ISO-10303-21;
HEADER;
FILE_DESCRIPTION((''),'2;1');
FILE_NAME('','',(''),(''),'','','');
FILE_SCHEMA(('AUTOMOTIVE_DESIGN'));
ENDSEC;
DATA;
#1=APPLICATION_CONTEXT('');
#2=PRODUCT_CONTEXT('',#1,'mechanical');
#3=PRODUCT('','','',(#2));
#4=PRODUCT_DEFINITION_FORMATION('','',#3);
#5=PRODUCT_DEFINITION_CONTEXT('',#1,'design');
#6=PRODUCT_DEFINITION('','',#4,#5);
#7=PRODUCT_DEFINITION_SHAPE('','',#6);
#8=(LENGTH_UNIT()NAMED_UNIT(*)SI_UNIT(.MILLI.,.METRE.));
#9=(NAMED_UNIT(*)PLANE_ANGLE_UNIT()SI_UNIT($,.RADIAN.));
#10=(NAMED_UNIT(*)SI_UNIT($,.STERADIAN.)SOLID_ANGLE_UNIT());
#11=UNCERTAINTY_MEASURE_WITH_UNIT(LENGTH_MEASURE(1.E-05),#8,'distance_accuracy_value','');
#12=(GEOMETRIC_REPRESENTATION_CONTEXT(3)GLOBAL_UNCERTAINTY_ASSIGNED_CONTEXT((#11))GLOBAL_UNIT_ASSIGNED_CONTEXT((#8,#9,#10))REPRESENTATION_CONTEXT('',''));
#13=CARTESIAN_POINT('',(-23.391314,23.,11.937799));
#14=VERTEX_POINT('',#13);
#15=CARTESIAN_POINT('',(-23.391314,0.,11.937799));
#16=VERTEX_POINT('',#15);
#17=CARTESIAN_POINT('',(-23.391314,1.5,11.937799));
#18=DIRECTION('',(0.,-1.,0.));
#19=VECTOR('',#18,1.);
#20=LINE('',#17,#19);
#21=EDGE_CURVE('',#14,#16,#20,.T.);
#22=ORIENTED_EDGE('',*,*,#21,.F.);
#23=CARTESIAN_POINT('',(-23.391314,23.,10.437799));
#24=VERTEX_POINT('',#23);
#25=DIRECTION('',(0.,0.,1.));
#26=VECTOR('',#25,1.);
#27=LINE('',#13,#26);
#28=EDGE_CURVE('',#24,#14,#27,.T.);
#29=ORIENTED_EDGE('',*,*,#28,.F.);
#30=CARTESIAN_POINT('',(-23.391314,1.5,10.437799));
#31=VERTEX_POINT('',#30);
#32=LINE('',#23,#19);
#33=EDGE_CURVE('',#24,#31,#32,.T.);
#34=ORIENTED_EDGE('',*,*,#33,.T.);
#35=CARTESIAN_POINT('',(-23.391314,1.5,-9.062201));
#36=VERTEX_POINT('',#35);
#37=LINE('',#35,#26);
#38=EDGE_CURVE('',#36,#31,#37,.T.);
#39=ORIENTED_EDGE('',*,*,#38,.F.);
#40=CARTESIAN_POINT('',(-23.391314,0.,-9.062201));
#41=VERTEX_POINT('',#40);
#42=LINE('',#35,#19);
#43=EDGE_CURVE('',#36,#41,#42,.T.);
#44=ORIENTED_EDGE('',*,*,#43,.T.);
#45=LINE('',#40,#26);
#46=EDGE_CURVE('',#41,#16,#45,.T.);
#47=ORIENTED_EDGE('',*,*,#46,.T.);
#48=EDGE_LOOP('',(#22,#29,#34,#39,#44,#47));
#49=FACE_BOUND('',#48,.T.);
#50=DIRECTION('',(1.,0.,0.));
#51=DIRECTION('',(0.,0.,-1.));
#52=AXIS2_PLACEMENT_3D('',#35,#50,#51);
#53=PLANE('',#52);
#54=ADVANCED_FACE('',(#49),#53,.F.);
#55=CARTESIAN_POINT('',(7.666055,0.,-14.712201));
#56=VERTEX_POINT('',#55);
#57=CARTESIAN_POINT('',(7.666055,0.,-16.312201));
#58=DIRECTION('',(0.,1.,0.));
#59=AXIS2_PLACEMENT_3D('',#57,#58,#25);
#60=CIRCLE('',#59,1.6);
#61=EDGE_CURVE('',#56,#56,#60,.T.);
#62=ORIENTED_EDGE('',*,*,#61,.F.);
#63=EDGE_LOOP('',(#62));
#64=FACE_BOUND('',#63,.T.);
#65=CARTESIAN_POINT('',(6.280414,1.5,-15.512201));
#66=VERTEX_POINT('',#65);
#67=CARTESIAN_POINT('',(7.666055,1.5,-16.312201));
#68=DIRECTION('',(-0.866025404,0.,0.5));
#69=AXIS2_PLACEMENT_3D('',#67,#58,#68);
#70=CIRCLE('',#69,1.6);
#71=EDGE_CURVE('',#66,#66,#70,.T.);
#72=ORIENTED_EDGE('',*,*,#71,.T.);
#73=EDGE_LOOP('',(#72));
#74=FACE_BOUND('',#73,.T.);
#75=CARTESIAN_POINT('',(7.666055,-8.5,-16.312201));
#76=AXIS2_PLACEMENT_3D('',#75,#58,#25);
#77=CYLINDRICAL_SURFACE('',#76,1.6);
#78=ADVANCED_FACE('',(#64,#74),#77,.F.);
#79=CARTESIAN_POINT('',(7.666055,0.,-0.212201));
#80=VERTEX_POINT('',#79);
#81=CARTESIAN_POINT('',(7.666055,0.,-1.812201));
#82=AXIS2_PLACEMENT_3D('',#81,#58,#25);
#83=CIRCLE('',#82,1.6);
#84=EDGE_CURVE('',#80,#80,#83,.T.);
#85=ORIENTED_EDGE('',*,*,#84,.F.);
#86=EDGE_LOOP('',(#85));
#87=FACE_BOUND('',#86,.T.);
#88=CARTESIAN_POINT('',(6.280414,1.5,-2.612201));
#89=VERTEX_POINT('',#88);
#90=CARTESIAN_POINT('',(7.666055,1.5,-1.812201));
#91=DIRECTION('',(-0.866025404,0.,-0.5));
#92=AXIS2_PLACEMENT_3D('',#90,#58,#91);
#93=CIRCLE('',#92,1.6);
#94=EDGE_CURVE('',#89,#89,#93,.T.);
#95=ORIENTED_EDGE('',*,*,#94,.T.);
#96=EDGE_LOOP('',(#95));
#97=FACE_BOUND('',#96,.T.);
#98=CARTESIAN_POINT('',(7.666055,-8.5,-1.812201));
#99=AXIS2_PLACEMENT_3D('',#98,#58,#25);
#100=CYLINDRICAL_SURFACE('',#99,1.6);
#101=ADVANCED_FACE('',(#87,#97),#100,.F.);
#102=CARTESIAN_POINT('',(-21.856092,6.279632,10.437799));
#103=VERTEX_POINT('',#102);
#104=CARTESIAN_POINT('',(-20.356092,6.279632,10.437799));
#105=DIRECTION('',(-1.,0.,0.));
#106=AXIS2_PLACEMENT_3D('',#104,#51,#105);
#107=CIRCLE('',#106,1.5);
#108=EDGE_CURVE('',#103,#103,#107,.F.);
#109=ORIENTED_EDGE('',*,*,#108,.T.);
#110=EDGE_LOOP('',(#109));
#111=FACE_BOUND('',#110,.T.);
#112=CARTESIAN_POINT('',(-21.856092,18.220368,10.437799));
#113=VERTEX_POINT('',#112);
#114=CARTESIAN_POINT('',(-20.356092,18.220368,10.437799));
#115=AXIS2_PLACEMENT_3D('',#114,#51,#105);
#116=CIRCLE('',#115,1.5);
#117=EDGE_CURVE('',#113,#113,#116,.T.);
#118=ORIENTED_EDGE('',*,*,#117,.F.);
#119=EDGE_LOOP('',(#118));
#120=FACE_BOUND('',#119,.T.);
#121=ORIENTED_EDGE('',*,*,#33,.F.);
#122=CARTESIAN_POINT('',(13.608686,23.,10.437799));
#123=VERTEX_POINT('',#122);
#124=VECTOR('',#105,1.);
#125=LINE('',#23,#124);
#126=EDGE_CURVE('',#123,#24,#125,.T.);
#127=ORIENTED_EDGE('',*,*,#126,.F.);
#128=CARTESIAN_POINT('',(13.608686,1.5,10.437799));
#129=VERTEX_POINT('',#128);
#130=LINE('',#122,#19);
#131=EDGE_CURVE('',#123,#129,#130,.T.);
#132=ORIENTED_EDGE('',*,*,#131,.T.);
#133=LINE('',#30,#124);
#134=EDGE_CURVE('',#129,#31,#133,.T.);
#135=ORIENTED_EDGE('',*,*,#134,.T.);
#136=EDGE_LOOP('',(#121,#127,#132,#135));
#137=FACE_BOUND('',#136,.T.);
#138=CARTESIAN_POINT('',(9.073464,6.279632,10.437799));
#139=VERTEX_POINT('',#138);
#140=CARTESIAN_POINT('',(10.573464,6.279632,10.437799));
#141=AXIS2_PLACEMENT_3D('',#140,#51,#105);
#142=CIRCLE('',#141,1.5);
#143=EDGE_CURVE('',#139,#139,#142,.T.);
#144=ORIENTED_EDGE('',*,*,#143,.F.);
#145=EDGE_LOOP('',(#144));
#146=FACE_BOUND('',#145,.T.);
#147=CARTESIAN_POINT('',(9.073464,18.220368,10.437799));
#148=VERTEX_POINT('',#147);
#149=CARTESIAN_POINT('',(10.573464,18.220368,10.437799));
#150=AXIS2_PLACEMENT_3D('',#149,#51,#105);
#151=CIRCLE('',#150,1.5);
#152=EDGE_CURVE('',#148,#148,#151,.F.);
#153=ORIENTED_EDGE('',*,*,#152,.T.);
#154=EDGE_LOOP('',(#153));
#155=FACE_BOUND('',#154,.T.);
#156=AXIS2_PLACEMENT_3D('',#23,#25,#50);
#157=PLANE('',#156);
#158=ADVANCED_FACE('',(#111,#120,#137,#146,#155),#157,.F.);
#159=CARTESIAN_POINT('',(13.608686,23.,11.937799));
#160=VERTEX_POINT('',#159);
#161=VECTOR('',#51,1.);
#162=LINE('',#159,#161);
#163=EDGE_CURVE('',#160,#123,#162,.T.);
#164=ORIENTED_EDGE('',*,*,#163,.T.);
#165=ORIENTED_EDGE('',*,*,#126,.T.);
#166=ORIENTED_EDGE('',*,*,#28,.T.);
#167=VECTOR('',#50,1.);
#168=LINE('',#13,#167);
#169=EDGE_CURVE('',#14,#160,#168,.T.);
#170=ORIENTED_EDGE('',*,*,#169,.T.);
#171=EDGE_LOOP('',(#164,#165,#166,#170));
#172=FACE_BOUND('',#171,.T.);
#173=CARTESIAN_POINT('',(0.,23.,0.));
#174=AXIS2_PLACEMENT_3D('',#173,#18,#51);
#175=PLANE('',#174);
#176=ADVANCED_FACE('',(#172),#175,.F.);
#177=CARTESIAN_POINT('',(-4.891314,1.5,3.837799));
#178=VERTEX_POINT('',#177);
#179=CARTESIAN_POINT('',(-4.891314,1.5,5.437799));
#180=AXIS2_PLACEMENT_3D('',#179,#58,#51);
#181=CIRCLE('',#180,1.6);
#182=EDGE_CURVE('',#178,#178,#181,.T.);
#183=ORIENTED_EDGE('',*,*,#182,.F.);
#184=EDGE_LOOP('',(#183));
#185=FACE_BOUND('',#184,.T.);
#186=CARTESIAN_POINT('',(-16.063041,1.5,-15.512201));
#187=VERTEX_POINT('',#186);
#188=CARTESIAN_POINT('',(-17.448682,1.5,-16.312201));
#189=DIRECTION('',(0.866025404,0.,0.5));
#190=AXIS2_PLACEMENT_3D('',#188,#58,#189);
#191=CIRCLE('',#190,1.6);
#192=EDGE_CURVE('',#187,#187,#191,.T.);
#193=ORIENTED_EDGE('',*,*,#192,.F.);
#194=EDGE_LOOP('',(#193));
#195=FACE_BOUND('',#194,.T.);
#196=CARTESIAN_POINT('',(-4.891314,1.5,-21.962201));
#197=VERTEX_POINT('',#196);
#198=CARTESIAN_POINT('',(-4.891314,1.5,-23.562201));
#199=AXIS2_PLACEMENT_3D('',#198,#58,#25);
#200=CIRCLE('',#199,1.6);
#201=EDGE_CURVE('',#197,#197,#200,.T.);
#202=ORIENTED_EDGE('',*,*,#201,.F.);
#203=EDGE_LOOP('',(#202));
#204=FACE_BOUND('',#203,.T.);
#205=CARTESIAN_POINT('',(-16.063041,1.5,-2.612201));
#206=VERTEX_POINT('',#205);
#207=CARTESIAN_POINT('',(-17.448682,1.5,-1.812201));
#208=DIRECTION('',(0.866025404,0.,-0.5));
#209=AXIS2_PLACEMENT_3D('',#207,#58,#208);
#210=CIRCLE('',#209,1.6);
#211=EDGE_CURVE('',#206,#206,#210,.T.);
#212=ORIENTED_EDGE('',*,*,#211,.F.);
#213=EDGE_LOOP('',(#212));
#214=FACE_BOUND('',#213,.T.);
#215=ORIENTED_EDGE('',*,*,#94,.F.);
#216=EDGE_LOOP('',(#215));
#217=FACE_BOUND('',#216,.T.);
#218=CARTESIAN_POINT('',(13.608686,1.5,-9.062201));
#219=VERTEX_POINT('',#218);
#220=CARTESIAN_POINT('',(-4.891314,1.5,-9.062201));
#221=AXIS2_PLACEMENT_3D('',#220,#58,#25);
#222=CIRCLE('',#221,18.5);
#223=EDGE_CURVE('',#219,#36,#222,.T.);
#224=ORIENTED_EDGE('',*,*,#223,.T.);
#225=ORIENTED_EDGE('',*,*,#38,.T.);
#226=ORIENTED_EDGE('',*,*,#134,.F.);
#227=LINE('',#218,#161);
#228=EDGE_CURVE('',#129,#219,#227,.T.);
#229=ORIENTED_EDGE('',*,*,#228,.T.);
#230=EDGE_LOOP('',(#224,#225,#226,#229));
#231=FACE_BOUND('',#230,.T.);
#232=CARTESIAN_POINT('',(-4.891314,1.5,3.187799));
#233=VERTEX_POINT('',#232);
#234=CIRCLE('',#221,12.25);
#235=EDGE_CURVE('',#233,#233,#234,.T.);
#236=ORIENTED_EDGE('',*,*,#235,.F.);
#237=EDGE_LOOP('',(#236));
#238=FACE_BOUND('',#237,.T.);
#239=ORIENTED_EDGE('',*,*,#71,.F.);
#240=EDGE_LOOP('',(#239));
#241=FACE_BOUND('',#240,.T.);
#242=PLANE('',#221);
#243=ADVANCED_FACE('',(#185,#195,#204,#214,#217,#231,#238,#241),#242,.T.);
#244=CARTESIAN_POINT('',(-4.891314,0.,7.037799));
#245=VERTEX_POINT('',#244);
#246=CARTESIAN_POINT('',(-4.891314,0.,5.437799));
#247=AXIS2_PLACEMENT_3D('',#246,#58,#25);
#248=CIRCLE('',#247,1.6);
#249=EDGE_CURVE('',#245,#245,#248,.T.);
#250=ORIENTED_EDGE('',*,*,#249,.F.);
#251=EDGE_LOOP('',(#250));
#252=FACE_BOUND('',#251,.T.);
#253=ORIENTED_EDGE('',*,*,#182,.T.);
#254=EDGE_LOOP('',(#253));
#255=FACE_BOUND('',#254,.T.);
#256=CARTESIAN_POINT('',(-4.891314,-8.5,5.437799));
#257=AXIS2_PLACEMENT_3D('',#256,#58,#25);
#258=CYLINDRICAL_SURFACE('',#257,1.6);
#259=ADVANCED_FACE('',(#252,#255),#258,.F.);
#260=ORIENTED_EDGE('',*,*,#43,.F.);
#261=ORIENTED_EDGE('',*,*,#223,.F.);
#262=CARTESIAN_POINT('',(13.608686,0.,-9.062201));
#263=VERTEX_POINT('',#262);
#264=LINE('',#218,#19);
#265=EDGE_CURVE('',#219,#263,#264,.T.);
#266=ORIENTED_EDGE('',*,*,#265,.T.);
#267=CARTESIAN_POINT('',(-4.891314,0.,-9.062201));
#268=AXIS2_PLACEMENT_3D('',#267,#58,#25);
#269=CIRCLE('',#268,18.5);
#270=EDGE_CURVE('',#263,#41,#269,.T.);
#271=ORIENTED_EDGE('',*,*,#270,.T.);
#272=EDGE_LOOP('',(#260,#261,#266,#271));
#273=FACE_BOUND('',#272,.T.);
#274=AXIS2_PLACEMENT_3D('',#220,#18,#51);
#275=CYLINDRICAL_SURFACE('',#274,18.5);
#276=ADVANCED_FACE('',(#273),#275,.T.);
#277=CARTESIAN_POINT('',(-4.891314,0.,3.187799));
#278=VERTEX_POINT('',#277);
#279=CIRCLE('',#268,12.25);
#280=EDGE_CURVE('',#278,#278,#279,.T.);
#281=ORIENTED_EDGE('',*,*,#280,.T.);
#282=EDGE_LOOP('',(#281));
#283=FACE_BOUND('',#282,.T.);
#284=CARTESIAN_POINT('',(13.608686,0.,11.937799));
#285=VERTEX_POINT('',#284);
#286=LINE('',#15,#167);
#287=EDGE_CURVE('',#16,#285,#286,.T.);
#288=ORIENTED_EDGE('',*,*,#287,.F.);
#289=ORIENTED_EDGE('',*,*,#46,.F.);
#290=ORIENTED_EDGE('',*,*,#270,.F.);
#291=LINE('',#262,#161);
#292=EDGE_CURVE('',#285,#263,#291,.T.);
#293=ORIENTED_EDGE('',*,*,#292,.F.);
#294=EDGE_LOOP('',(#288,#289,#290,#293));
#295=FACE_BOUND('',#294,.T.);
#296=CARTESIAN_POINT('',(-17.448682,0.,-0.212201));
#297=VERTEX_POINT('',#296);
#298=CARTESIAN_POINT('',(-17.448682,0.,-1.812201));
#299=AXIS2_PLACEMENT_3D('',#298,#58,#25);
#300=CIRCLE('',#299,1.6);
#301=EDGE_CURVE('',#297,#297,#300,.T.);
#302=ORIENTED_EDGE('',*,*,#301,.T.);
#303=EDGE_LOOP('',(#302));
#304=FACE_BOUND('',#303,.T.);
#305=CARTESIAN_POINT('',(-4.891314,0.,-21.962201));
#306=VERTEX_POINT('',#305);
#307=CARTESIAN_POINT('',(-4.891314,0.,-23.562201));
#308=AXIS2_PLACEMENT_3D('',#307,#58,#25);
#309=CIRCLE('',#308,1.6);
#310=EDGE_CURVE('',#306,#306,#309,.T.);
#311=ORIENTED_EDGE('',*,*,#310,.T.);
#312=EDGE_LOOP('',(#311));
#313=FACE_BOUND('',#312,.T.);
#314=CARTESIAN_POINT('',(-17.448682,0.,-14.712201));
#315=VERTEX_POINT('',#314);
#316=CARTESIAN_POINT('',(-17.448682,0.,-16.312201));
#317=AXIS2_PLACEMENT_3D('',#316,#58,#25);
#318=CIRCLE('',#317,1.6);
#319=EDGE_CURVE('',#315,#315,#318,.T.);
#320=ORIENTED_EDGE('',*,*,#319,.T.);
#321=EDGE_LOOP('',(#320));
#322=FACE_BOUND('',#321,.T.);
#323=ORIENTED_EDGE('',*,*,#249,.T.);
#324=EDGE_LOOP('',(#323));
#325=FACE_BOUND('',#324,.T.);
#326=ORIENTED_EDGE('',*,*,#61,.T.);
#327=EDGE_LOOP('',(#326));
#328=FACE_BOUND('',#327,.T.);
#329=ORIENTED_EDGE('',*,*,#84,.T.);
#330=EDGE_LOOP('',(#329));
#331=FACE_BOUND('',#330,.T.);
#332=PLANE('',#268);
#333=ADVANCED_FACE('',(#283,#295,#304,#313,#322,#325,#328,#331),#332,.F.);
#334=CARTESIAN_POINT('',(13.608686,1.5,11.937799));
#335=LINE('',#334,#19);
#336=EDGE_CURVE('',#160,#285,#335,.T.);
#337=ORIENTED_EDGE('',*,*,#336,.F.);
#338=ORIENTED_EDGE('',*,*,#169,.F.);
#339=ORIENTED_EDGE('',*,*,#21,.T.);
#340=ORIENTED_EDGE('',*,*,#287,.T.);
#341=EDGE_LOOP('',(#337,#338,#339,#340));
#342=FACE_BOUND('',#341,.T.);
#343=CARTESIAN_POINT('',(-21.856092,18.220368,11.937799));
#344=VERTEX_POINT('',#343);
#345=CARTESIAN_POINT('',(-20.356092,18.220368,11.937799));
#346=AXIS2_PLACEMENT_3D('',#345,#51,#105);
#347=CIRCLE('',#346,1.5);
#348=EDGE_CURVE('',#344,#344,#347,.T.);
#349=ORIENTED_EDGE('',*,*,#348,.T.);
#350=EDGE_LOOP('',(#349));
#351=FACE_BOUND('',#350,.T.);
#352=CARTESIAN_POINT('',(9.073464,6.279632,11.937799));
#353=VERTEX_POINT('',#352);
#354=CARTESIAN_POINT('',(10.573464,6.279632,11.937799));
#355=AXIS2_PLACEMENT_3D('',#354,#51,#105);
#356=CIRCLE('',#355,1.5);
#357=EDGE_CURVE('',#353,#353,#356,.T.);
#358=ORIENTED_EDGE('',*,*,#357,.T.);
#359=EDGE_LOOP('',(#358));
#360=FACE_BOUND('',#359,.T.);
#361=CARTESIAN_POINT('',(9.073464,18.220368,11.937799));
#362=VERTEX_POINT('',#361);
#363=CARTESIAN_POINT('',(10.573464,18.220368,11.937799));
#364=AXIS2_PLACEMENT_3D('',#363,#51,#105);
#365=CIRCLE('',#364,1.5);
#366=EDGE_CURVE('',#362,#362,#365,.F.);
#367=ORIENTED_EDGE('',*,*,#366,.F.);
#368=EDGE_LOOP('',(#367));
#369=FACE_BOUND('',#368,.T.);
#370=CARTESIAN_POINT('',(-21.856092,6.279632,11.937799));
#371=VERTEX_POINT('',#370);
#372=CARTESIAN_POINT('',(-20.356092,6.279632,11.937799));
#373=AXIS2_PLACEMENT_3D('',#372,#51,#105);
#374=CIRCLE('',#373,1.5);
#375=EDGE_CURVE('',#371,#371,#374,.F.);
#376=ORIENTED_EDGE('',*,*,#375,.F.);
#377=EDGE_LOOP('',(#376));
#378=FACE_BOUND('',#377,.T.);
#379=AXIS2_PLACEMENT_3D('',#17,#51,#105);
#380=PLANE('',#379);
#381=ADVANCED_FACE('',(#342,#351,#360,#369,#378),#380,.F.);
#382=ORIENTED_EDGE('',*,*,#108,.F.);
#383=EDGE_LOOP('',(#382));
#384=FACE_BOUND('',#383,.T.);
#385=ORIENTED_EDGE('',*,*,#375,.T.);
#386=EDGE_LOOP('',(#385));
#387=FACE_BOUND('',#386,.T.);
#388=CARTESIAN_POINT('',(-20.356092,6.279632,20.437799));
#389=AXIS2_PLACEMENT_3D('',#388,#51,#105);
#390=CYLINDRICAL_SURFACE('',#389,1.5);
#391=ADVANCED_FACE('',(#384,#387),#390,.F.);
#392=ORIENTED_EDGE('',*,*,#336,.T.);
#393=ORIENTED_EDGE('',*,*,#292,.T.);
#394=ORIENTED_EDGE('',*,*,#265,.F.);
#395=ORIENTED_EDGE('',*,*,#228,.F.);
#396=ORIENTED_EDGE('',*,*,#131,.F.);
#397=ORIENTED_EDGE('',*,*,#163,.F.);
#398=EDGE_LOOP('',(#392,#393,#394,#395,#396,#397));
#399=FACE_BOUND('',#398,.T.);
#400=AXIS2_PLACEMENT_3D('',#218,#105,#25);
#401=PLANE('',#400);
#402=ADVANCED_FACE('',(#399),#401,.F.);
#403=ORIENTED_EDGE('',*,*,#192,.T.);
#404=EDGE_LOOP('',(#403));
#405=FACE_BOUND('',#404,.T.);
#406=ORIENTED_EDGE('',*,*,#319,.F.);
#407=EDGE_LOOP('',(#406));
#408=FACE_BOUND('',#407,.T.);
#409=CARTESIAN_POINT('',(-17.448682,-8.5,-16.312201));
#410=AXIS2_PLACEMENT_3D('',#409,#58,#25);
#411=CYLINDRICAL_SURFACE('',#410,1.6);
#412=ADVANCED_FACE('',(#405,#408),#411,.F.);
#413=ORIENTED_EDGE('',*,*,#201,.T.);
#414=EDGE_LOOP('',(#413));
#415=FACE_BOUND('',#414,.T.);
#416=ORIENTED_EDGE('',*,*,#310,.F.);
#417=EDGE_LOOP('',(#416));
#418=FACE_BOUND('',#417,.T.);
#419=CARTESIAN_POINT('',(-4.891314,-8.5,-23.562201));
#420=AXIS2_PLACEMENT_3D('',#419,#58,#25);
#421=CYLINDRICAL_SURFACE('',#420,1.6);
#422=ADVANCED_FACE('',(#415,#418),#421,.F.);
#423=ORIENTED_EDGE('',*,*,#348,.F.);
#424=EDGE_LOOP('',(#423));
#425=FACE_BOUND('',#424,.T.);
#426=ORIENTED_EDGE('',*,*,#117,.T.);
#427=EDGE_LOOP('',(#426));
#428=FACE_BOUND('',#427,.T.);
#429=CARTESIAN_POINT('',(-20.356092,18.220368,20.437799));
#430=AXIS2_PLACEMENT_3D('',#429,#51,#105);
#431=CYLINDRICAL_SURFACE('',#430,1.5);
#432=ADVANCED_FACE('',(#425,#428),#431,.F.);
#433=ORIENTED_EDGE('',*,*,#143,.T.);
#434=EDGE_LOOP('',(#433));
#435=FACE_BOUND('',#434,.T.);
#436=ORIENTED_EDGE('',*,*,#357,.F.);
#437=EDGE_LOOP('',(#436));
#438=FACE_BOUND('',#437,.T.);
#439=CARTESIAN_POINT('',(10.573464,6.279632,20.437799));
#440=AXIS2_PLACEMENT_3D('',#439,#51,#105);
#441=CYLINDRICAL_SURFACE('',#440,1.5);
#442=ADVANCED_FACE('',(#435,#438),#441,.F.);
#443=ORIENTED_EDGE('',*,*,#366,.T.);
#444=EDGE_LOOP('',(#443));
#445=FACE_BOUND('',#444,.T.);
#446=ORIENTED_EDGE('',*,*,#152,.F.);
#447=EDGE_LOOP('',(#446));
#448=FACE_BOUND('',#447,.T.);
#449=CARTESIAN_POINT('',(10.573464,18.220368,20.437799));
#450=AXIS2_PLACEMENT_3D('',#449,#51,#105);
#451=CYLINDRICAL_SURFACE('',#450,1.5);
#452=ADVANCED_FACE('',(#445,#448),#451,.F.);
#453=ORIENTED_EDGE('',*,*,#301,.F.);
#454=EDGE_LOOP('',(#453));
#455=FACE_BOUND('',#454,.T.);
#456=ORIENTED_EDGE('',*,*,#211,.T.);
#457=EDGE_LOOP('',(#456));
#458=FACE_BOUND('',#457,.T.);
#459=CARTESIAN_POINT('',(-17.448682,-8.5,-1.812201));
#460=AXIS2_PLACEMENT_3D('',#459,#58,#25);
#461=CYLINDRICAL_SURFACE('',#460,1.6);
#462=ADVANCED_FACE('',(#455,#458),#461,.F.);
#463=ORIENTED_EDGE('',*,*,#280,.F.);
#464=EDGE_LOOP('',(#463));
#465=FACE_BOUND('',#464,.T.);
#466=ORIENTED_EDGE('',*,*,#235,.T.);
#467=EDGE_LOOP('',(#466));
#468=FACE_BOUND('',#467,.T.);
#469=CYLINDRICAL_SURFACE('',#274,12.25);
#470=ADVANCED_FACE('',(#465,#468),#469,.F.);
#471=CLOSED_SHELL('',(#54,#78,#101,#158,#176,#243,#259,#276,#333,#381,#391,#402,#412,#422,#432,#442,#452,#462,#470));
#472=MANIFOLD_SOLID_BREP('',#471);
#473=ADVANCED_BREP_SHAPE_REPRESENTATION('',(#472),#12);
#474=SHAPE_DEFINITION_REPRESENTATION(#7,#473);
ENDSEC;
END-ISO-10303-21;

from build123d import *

# Parameters (mm, degrees)
SKETCH1_R           = 12.25
BOSS_EXTRUDE1_DEPTH = 1.5
SKETCH4_W           = 37
SKETCH4_H           = 1.5
BOSS_EXTRUDE2_DEPTH = 21.5
SKETCH6_R           = 1.5
CUT_EXTRUDE2_DEPTH  = 10
SKETCH3_R           = 1.6
CUT_EXTRUDE3_DEPTH  = 10
CIRPATTERN1_COUNT   = 6


with BuildPart() as part:
    # Sketch1 → Boss-Extrude1 (new body)
    with BuildSketch(Plane(origin=(0, 0, 0), x_dir=(1, 0, 0), z_dir=(0, 1, 0))):
        with BuildLine():
            Line((-23.391313752, 9.062201448), (-23.391313752, -11.937798552))
            Line((-23.391313752, -11.937798552), (13.608686248, -11.937798552))
            Line((13.608686248, -11.937798552), (13.608686248, 9.062201448))
            ThreePointArc((13.608686248, 9.062201448), (-4.891313752, 27.562201448), (-23.391313752, 9.062201448))
        make_face()
        with Locations(Location((-4.891313752, 9.062201448, 0), (0, 0, 270))):
            Circle(SKETCH1_R, mode=Mode.SUBTRACT)
    extrude(amount=BOSS_EXTRUDE1_DEPTH)

    # Sketch4 → Boss-Extrude2 (add)
    with BuildSketch(Plane(origin=(0, 1.5, 0), x_dir=(1, 0, 0), z_dir=(0, 1, 0))):
        with Locations((-4.891313752, -11.187798552)):
            Rectangle(SKETCH4_W, SKETCH4_H)
    extrude(amount=BOSS_EXTRUDE2_DEPTH)

    # Sketch6 → Cut-Extrude2 (cut)
    with BuildSketch(Plane(origin=(0, 0, 10.437798552), x_dir=(-1, 0, 0), z_dir=(0, 0, -1))):
        with Locations((-10.573464155, 6.27963227)):
            Circle(SKETCH6_R)
        with Locations((20.356091659, 6.27963227)):
            Circle(SKETCH6_R)
        with Locations((20.356091659, 18.22036773)):
            Circle(SKETCH6_R)
        with Locations((-10.573464155, 18.22036773)):
            Circle(SKETCH6_R)
    extrude(amount=-CUT_EXTRUDE2_DEPTH, mode=Mode.SUBTRACT)

    # Sketch3 → Cut-Extrude3 (cut)
    with BuildSketch(Plane(origin=(0, 1.5, 0), x_dir=(1, 0, 0), z_dir=(0, 1, 0))):
        with Locations(Location((-4.891313752, 23.562201448, 0), (0, 0, 270))):
            Circle(SKETCH3_R)
    cut_extrude3 = extrude(amount=-CUT_EXTRUDE3_DEPTH, mode=Mode.SUBTRACT)

    # CirPattern1: Cut-Extrude3 ×6 about axis
    cirpattern1_axis = Axis((-4.891313752, 0, -9.062201448), (0, 1, 0))
    for i in range(1, CIRPATTERN1_COUNT):
        add(cut_extrude3.rotate(cirpattern1_axis, i * 360 / CIRPATTERN1_COUNT), mode=Mode.SUBTRACT)


solid = part.part
